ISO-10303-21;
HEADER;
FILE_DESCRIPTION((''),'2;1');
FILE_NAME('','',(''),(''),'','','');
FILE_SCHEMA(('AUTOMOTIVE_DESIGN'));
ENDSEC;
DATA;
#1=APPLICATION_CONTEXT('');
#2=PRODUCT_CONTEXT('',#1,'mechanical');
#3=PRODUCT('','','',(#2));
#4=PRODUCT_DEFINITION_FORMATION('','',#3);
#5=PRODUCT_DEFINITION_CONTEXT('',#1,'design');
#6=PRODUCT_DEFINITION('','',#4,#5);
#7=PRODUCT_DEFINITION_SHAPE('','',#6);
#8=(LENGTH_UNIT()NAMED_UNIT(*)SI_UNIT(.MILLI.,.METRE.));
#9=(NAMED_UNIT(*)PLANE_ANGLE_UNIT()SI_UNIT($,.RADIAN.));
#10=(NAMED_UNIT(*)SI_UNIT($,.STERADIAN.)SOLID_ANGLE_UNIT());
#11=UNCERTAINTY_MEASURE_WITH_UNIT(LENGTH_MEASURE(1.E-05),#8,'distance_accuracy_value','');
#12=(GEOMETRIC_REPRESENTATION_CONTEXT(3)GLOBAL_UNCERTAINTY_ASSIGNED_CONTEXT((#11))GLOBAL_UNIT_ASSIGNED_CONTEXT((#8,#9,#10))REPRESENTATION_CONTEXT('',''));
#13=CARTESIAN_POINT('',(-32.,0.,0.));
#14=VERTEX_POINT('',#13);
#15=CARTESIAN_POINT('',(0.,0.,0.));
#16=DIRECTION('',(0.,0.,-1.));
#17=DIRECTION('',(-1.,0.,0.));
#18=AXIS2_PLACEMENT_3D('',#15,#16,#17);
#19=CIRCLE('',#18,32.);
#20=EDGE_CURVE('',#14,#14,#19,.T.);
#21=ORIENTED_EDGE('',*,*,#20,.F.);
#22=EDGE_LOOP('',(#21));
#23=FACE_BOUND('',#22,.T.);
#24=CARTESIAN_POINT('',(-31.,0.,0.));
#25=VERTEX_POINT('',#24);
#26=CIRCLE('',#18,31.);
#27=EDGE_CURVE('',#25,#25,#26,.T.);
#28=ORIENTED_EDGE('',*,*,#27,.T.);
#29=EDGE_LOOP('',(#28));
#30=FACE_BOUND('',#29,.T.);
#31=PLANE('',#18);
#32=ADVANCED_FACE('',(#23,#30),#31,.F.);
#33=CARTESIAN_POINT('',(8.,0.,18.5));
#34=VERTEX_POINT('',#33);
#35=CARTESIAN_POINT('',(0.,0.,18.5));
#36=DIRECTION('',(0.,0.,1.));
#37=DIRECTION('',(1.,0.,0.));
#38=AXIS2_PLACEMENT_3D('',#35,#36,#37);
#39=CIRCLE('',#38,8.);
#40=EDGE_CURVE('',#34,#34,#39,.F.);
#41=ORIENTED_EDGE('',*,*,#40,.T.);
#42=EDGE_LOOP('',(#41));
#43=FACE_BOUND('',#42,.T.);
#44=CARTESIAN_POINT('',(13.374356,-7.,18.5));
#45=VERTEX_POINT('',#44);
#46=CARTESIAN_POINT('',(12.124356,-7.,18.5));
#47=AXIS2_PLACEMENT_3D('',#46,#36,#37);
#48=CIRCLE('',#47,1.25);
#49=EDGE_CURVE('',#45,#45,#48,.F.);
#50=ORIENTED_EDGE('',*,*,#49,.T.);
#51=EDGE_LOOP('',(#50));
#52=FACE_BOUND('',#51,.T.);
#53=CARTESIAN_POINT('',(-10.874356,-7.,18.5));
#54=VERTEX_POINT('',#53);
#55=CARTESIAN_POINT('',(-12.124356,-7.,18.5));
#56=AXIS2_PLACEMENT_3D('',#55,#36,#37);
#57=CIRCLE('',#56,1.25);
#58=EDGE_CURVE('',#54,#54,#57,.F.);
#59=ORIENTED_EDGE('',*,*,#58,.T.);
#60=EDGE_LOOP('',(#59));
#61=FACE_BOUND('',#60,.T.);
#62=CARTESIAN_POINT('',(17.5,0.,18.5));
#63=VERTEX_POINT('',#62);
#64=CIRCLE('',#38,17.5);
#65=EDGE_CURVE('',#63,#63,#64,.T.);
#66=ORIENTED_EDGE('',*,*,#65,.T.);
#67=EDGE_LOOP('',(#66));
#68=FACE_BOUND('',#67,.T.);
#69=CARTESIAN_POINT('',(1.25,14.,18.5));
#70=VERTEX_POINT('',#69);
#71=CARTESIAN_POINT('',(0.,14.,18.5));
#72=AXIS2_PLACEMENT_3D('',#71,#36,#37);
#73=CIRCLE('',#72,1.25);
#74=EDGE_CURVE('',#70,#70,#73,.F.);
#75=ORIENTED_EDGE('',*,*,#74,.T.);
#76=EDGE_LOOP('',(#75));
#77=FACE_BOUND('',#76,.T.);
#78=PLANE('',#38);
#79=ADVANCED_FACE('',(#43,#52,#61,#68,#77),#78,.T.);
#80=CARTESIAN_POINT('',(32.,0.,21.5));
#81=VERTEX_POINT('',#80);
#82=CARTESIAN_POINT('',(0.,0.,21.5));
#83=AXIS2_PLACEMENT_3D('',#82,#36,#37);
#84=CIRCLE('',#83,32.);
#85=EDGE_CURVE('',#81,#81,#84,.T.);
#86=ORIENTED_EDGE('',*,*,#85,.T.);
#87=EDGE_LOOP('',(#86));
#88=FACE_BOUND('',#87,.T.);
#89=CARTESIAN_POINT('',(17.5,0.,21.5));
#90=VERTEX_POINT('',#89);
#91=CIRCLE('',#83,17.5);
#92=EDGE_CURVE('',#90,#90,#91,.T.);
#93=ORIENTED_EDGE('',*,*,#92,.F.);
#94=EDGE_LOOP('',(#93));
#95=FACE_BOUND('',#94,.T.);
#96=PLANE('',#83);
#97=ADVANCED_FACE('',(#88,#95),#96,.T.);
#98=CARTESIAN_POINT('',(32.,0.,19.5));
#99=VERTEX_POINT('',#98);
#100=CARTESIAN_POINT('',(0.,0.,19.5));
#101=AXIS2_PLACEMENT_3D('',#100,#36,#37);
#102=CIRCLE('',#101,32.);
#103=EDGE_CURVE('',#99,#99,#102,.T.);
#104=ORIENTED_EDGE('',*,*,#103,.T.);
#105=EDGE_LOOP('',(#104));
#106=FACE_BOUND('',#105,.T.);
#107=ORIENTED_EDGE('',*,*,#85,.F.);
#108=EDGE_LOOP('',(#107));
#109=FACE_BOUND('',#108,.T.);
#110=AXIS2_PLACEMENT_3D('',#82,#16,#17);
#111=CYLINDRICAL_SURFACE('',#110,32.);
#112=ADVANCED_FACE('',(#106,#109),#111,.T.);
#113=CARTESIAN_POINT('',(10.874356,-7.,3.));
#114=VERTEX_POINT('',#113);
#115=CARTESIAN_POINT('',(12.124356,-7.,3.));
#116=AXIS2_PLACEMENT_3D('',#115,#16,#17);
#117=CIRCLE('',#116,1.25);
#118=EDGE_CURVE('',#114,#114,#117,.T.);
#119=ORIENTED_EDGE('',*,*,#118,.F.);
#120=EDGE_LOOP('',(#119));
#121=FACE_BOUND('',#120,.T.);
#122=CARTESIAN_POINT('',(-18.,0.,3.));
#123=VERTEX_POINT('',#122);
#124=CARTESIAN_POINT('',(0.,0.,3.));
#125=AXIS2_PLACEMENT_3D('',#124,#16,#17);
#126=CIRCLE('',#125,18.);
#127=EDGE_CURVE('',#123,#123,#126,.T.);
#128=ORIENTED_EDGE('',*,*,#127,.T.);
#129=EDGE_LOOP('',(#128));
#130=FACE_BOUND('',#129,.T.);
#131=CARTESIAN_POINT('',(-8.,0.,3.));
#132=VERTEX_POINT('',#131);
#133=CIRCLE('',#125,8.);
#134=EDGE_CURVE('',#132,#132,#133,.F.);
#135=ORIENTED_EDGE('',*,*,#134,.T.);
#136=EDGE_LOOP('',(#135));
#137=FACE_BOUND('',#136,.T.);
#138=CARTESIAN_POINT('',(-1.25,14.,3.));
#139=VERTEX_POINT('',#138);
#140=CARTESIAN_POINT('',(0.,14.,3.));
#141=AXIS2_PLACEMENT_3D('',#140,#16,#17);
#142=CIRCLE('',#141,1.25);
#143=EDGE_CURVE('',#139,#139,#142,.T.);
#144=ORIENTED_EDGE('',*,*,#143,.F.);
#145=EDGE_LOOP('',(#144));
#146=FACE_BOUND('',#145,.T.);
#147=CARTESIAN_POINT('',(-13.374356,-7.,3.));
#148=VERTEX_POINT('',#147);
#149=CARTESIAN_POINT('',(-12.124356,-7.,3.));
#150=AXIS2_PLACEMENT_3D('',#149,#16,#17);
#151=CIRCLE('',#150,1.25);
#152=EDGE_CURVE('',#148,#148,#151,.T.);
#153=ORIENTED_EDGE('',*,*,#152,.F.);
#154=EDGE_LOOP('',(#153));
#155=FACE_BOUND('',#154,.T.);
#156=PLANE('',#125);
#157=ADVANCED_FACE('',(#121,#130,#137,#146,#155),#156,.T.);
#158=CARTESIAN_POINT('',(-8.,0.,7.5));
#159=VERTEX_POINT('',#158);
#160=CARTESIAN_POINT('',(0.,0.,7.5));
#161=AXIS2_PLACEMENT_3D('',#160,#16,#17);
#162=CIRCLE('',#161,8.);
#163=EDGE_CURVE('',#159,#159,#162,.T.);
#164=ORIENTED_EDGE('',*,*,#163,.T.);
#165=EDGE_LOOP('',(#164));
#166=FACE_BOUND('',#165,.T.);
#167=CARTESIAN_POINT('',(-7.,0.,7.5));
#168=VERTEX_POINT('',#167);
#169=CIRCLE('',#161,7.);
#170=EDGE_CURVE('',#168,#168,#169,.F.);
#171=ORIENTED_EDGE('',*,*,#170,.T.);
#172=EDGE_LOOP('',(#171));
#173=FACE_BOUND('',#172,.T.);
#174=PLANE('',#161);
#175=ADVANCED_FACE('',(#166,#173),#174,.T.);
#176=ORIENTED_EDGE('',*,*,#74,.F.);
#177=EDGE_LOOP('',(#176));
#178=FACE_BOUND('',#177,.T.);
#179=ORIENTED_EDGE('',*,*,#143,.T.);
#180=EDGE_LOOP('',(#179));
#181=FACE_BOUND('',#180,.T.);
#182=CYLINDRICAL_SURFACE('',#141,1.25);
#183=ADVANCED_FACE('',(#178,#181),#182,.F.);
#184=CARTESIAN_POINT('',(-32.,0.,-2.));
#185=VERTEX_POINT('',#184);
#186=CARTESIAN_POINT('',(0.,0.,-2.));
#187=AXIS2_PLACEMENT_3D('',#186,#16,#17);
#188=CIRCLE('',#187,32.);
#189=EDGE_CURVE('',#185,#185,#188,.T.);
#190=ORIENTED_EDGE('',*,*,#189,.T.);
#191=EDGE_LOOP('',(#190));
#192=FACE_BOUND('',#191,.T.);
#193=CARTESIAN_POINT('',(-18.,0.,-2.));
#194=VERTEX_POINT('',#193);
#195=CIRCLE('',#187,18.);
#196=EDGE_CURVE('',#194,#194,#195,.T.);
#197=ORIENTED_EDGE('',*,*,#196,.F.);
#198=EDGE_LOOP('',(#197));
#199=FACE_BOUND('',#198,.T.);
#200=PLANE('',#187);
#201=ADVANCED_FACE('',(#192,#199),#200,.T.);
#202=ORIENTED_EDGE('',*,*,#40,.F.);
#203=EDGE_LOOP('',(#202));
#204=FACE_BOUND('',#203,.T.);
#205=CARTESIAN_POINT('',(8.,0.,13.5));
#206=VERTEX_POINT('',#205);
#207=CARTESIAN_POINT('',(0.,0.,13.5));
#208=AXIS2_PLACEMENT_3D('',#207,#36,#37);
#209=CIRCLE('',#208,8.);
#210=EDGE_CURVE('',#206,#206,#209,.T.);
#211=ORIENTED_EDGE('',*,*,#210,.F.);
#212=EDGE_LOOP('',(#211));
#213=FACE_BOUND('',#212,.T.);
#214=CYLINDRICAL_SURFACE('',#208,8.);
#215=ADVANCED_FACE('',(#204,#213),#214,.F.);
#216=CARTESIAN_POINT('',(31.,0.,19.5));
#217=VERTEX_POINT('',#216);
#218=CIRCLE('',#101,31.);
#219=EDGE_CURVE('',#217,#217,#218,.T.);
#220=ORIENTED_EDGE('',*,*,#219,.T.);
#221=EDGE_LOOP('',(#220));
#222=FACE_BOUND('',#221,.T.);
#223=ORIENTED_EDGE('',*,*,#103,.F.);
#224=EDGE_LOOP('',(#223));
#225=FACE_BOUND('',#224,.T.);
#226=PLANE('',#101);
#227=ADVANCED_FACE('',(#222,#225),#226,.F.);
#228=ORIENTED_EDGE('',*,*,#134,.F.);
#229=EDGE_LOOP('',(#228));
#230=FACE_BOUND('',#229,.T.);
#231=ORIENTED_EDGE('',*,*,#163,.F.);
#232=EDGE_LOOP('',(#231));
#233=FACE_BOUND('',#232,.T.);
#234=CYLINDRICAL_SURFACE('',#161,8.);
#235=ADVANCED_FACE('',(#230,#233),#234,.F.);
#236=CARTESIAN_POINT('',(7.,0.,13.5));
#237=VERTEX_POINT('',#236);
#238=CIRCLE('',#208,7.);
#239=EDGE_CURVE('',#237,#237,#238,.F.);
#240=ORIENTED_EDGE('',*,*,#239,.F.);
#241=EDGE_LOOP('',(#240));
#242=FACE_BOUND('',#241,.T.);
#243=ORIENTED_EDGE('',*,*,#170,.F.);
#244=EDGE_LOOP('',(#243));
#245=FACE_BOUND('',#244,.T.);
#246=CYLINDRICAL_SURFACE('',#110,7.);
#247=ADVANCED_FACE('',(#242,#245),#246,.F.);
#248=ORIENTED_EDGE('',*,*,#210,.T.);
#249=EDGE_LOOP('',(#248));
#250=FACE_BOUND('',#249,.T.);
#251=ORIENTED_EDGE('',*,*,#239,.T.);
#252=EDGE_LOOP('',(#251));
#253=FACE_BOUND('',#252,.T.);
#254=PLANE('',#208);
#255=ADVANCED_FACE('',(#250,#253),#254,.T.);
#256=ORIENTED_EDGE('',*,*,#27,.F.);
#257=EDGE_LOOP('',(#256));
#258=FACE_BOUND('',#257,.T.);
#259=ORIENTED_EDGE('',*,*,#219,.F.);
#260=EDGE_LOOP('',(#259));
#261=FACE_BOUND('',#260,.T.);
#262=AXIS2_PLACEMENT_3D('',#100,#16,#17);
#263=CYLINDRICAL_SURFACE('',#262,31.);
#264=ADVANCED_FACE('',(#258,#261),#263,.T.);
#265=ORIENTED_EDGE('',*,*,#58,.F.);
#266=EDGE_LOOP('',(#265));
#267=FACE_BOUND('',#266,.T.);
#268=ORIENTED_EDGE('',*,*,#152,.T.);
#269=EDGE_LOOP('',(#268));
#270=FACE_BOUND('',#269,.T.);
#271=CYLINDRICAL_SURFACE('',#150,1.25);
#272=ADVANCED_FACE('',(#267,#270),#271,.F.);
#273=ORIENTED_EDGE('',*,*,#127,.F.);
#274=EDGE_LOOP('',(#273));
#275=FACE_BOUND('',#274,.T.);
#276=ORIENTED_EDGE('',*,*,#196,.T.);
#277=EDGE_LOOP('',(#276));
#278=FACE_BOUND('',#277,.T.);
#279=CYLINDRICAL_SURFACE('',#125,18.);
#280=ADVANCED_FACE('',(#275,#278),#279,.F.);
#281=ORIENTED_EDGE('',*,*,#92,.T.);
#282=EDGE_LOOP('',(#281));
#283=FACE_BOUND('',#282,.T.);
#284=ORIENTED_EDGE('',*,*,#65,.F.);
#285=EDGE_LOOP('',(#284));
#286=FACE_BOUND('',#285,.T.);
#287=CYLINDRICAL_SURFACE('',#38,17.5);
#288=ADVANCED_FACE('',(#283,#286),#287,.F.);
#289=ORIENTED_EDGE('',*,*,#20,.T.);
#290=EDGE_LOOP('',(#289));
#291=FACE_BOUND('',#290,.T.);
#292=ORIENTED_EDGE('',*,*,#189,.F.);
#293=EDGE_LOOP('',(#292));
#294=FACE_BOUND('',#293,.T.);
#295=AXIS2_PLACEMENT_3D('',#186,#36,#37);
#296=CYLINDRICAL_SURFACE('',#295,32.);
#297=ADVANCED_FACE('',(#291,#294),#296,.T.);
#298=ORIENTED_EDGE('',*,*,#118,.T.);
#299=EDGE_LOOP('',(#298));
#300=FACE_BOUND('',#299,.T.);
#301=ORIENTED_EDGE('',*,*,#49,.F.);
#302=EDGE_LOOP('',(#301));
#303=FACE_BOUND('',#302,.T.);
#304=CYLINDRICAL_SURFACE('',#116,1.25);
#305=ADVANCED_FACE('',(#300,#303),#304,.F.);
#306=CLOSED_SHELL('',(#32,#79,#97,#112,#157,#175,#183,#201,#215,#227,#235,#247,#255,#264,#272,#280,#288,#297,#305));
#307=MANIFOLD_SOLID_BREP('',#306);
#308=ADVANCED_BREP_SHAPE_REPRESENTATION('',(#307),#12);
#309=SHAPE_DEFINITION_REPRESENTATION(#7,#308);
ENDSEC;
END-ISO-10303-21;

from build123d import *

# Parameters (mm, degrees)
SKETCH1_R             = 31
EXTRUDE1_DEPTH        = 19.5
SKETCH2_R             = 32
EXTRUDE2_DEPTH        = 2
SKETCH3_R             = 32
EXTRUDE3_DEPTH        = 2
SKETCH4_R             = 7
CUT_EXTRUDE1_DEPTH    = 24.5
SKETCH5_R             = 8
CUT_EXTRUDE2_DEPTH    = 9.5
SKETCH6_R             = 18
CUT_EXTRUDE3_DEPTH    = 5
M3X0_5_TAPPED_HOLE1_D = 2.5
SKETCH8_R             = 8
CUT_EXTRUDE4_DEPTH    = 8
SKETCH9_R             = 17.5
CUT_EXTRUDE5_DEPTH    = 3


with BuildPart() as part:
    # Sketch1 → Extrude1 (new body)
    with BuildSketch(Plane.XY):
        Circle(SKETCH1_R)
    extrude(amount=EXTRUDE1_DEPTH)

    # Sketch2 → Extrude2 (add)
    with BuildSketch(Plane.XY.offset(19.5)):
        Circle(SKETCH2_R)
    extrude(amount=EXTRUDE2_DEPTH)

    # Sketch3 → Extrude3 (add)
    with BuildSketch(Plane(origin=(0, 0, 0), x_dir=(-1, 0, 0), z_dir=(0, 0, -1))):
        with Locations(Location((0, 0, 0), (0, 0, 180))):  # turned: the seam where the file's is
            Circle(SKETCH3_R)
    extrude(amount=EXTRUDE3_DEPTH)

    # Sketch4 → Cut-Extrude1 (cut, through all)
    with BuildSketch(Plane(origin=(0, 0, -2), x_dir=(-1, 0, 0), z_dir=(0, 0, -1))):
        Circle(SKETCH4_R)
    extrude(amount=-CUT_EXTRUDE1_DEPTH, mode=Mode.SUBTRACT)

    # Sketch5 → Cut-Extrude2 (cut)
    with BuildSketch(Plane(origin=(0, 0, -2), x_dir=(-1, 0, 0), z_dir=(0, 0, -1))):
        Circle(SKETCH5_R)
    extrude(amount=-CUT_EXTRUDE2_DEPTH, mode=Mode.SUBTRACT)

    # Sketch6 → Cut-Extrude3 (cut)
    with BuildSketch(Plane(origin=(0, 0, -2), x_dir=(-1, 0, 0), z_dir=(0, 0, -1))):
        Circle(SKETCH6_R)
    extrude(amount=-CUT_EXTRUDE3_DEPTH, mode=Mode.SUBTRACT)

    # M3x0.5 Tapped Hole1 (through all)
    with Locations(Plane(origin=(0, 14, 3), x_dir=(-1, 0, 0), z_dir=(0, 0, -1))):
        with Locations((0, 0), (-12.124355653, -21), (12.124355653, -21)):
            Hole(M3X0_5_TAPPED_HOLE1_D / 2)

    # Sketch8 → Cut-Extrude4 (cut)
    with BuildSketch(Plane.XY.offset(21.5)):
        with Locations(Location((0, 0, 0), (0, 0, 180))):  # turned: the seam where the file's is
            Circle(SKETCH8_R)
    extrude(amount=-CUT_EXTRUDE4_DEPTH, mode=Mode.SUBTRACT)

    # Sketch9 → Cut-Extrude5 (cut)
    with BuildSketch(Plane.XY.offset(21.5)):
        Circle(SKETCH9_R)
    extrude(amount=-CUT_EXTRUDE5_DEPTH, mode=Mode.SUBTRACT)


solid = part.part
